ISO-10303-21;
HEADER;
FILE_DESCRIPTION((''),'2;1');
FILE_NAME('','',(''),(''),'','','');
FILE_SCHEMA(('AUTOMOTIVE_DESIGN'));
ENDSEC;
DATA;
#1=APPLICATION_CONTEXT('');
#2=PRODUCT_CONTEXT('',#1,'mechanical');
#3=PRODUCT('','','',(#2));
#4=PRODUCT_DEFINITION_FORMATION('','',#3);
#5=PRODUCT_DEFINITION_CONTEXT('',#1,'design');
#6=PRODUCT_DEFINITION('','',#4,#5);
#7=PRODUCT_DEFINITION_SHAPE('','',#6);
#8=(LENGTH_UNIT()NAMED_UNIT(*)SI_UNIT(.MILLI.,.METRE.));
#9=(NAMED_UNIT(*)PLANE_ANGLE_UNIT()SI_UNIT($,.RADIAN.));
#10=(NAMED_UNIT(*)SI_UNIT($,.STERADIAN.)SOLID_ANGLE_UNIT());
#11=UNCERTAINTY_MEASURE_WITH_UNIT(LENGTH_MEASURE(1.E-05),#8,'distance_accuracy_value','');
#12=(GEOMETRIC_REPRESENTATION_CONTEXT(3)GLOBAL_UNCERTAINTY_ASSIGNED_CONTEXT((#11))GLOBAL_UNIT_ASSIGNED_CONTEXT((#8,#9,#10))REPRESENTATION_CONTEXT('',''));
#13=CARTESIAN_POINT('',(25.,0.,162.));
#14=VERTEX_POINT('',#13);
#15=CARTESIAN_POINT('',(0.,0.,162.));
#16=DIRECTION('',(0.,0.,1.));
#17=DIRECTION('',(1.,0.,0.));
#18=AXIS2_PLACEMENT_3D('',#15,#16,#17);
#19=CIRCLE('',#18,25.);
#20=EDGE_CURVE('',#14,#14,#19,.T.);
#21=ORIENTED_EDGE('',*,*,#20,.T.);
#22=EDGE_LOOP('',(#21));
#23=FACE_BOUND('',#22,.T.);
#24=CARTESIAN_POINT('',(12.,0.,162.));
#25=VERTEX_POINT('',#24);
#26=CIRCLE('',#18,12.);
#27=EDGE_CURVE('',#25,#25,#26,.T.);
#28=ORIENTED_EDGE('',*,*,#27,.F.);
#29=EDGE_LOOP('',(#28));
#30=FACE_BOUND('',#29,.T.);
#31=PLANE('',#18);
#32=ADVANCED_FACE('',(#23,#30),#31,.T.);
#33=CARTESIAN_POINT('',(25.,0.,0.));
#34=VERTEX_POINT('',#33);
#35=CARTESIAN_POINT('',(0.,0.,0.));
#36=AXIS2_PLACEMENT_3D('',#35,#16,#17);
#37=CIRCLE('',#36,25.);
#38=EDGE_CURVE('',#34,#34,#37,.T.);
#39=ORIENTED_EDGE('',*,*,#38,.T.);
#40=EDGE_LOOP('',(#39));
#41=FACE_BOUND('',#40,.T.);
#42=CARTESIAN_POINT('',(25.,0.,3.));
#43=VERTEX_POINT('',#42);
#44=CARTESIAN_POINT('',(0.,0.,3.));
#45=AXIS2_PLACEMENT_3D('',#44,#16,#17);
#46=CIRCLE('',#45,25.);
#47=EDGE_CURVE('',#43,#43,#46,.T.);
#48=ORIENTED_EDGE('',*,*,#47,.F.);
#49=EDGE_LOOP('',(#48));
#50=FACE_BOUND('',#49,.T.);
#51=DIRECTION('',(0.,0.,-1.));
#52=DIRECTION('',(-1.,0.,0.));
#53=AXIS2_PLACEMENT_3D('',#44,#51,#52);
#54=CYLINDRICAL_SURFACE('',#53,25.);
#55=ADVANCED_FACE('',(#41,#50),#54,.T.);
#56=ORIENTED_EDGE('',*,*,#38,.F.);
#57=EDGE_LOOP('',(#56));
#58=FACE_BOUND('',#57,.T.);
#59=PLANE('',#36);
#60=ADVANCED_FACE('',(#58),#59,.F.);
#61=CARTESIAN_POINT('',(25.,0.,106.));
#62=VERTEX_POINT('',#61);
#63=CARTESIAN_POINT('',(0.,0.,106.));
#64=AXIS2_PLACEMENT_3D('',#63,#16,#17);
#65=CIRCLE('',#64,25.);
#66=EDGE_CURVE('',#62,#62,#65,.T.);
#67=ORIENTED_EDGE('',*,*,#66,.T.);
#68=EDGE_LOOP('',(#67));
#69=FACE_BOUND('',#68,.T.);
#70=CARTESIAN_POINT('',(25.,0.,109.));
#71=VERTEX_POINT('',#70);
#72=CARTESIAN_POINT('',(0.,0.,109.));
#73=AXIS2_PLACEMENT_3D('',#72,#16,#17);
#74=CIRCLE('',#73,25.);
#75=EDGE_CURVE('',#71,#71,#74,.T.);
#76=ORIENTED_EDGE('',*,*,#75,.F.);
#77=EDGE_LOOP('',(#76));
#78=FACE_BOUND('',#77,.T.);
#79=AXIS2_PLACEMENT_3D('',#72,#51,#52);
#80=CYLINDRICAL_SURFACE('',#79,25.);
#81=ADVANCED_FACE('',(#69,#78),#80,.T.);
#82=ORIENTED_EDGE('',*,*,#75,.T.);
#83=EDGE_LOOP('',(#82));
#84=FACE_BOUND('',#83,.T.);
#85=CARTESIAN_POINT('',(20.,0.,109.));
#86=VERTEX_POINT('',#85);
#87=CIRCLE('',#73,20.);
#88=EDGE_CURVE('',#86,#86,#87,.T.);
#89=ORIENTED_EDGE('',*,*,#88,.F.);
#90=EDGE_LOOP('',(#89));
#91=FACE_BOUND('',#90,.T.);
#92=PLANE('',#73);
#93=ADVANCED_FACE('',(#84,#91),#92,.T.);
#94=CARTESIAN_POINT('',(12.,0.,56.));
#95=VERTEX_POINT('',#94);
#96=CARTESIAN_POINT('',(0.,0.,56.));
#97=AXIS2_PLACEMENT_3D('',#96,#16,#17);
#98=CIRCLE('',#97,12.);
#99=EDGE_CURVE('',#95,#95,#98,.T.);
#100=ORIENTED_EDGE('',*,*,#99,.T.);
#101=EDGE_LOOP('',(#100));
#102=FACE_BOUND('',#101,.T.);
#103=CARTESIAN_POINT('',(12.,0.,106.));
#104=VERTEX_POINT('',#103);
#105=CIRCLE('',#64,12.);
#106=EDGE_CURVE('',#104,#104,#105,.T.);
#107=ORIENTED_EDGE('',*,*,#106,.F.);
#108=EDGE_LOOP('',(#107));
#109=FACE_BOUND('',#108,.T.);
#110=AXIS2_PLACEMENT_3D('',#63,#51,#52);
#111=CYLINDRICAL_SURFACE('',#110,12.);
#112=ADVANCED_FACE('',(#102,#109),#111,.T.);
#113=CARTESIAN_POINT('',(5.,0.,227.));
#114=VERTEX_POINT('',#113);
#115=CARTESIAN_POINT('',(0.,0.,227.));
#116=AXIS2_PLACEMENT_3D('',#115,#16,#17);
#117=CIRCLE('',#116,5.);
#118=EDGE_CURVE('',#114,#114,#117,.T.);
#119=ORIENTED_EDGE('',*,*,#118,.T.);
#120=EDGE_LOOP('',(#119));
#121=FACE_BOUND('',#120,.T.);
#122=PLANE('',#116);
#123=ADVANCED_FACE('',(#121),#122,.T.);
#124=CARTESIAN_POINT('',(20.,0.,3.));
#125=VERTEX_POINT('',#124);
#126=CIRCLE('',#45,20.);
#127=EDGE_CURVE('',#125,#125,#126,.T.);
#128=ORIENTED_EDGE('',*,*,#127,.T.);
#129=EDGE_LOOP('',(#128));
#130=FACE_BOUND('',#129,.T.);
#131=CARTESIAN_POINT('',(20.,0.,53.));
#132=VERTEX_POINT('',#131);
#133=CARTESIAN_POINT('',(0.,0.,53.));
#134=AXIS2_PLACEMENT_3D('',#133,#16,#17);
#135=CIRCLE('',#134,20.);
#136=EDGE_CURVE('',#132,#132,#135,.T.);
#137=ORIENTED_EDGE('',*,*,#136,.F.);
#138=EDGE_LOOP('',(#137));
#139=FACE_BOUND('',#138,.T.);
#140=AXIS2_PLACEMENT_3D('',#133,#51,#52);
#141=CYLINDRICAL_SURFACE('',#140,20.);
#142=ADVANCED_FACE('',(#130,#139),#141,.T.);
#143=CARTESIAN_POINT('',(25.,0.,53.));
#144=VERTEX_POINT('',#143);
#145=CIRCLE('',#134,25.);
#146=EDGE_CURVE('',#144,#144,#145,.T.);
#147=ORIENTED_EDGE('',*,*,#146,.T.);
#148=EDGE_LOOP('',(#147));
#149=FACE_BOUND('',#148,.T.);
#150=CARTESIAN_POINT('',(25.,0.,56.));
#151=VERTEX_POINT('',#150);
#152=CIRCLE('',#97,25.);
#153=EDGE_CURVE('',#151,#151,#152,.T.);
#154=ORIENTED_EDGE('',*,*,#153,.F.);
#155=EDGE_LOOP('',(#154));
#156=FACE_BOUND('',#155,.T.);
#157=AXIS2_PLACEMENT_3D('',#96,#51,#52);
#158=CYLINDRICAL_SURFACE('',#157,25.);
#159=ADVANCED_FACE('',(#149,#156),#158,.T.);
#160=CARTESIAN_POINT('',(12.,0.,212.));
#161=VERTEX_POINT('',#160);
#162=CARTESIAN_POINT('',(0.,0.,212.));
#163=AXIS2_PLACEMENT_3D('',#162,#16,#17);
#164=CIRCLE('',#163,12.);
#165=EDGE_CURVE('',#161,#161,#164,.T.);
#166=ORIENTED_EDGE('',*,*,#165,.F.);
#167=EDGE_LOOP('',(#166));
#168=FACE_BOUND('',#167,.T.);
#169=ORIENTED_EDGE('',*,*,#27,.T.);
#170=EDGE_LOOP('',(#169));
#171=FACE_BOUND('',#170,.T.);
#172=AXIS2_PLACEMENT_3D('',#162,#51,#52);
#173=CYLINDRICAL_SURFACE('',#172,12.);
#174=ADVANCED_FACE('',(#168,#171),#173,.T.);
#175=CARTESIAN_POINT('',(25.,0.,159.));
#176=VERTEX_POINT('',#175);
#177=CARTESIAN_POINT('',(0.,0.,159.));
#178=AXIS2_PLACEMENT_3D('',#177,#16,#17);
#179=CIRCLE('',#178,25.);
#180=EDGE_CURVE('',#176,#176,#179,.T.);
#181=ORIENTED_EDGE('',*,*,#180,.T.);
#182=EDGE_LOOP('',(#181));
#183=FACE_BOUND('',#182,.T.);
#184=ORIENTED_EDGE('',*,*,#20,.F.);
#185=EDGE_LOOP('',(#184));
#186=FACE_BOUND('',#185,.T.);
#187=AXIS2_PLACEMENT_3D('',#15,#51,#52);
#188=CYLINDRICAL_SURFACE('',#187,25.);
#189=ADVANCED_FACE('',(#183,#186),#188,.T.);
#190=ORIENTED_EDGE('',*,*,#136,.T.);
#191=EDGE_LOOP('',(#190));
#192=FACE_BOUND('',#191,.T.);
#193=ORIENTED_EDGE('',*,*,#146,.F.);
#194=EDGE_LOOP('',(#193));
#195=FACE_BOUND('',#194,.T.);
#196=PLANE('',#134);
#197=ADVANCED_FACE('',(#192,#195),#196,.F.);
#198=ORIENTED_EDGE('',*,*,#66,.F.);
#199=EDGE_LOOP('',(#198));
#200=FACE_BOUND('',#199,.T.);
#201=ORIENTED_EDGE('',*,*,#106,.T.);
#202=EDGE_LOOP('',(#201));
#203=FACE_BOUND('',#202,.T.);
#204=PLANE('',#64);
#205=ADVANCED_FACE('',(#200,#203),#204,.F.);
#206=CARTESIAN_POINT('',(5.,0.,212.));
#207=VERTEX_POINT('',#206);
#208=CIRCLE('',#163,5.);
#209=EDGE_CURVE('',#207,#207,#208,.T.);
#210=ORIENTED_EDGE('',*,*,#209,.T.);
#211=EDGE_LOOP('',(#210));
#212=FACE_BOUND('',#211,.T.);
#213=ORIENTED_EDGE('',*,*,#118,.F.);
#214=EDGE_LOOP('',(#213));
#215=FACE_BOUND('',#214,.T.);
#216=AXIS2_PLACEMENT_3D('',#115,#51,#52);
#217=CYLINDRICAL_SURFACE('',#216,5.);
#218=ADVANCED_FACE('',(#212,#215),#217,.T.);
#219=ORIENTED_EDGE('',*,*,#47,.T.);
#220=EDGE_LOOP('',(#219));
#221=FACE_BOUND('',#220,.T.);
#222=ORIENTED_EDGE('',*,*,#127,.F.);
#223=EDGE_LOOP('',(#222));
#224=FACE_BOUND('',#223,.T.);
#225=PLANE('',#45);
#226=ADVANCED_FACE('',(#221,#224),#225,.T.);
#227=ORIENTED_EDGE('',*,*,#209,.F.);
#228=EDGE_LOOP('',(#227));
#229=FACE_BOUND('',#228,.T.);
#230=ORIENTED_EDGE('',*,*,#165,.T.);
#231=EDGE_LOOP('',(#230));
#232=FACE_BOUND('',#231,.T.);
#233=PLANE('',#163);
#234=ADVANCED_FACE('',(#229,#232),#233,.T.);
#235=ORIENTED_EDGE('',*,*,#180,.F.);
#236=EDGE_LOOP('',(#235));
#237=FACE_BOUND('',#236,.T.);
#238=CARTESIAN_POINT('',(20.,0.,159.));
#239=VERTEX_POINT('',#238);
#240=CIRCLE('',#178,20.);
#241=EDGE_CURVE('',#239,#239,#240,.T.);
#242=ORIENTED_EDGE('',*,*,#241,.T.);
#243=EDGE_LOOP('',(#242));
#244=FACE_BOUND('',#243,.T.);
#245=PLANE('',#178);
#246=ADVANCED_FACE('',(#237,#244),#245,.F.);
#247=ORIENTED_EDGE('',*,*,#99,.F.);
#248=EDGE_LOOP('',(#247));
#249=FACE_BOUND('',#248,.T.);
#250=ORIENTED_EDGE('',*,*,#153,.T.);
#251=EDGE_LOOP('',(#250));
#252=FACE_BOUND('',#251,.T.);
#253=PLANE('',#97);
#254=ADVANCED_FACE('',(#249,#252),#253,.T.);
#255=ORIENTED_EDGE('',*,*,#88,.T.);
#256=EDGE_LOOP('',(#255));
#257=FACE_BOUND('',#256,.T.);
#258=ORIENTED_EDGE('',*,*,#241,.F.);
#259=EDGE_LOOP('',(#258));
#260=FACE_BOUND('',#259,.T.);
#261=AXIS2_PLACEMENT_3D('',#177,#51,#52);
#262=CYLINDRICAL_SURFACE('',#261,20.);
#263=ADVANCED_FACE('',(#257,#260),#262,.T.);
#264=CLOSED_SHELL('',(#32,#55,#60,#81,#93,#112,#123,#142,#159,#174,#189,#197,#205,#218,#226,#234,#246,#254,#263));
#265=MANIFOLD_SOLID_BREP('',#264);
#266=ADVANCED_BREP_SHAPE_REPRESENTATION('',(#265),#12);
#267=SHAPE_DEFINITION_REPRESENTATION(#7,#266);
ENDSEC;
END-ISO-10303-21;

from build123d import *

# Parameters (mm, degrees)
SKETCH_1_R      = 25
EXTRUDE_1_DEPTH = 3
SKETCH_2_R      = 20
EXTRUDE_2_DEPTH = 50
SKETCH_3_R      = 25
EXTRUDE_3_DEPTH = 3
SKETCH_4_R      = 12
EXTRUDE_4_DEPTH = 50
SKETCH_5_R      = 25
EXTRUDE_5_DEPTH = 3
SKETCH_6_R      = 20
EXTRUDE_6_DEPTH = 50
SKETCH_8_R      = 25
EXTRUDE_7_DEPTH = 3
SKETCH_9_R      = 12
EXTRUDE_8_DEPTH = 50
SKETCH_10_R     = 5
EXTRUDE_9_DEPTH = 15


with BuildPart() as part:
    # 草图1 → 凸台-拉伸1 (new body)
    with BuildSketch(Plane.XY):
        Circle(SKETCH_1_R)
    extrude(amount=EXTRUDE_1_DEPTH)

    # 草图2 → 凸台-拉伸2 (add)
    with BuildSketch(Plane.XY.offset(3)):
        Circle(SKETCH_2_R)
    extrude(amount=EXTRUDE_2_DEPTH)

    # 草图3 → 凸台-拉伸3 (add)
    with BuildSketch(Plane.XY.offset(53)):
        Circle(SKETCH_3_R)
    extrude(amount=EXTRUDE_3_DEPTH)

    # 草图4 → 凸台-拉伸4 (add)
    with BuildSketch(Plane.XY.offset(56)):
        Circle(SKETCH_4_R)
    extrude(amount=EXTRUDE_4_DEPTH)

    # 草图5 → 凸台-拉伸5 (add)
    with BuildSketch(Plane.XY.offset(106)):
        Circle(SKETCH_5_R)
    extrude(amount=EXTRUDE_5_DEPTH)

    # 草图6 → 凸台-拉伸6 (add)
    with BuildSketch(Plane.XY.offset(109)):
        Circle(SKETCH_6_R)
    extrude(amount=EXTRUDE_6_DEPTH)

    # 草图8 → 凸台-拉伸7 (add)
    with BuildSketch(Plane.XY.offset(159)):
        Circle(SKETCH_8_R)
    extrude(amount=EXTRUDE_7_DEPTH)

    # 草图9 → 凸台-拉伸8 (add)
    with BuildSketch(Plane.XY.offset(162)):
        Circle(SKETCH_9_R)
    extrude(amount=EXTRUDE_8_DEPTH)

    # 草图10 → 凸台-拉伸9 (add)
    with BuildSketch(Plane.XY.offset(212)):
        Circle(SKETCH_10_R)
    extrude(amount=EXTRUDE_9_DEPTH)


solid = part.part
